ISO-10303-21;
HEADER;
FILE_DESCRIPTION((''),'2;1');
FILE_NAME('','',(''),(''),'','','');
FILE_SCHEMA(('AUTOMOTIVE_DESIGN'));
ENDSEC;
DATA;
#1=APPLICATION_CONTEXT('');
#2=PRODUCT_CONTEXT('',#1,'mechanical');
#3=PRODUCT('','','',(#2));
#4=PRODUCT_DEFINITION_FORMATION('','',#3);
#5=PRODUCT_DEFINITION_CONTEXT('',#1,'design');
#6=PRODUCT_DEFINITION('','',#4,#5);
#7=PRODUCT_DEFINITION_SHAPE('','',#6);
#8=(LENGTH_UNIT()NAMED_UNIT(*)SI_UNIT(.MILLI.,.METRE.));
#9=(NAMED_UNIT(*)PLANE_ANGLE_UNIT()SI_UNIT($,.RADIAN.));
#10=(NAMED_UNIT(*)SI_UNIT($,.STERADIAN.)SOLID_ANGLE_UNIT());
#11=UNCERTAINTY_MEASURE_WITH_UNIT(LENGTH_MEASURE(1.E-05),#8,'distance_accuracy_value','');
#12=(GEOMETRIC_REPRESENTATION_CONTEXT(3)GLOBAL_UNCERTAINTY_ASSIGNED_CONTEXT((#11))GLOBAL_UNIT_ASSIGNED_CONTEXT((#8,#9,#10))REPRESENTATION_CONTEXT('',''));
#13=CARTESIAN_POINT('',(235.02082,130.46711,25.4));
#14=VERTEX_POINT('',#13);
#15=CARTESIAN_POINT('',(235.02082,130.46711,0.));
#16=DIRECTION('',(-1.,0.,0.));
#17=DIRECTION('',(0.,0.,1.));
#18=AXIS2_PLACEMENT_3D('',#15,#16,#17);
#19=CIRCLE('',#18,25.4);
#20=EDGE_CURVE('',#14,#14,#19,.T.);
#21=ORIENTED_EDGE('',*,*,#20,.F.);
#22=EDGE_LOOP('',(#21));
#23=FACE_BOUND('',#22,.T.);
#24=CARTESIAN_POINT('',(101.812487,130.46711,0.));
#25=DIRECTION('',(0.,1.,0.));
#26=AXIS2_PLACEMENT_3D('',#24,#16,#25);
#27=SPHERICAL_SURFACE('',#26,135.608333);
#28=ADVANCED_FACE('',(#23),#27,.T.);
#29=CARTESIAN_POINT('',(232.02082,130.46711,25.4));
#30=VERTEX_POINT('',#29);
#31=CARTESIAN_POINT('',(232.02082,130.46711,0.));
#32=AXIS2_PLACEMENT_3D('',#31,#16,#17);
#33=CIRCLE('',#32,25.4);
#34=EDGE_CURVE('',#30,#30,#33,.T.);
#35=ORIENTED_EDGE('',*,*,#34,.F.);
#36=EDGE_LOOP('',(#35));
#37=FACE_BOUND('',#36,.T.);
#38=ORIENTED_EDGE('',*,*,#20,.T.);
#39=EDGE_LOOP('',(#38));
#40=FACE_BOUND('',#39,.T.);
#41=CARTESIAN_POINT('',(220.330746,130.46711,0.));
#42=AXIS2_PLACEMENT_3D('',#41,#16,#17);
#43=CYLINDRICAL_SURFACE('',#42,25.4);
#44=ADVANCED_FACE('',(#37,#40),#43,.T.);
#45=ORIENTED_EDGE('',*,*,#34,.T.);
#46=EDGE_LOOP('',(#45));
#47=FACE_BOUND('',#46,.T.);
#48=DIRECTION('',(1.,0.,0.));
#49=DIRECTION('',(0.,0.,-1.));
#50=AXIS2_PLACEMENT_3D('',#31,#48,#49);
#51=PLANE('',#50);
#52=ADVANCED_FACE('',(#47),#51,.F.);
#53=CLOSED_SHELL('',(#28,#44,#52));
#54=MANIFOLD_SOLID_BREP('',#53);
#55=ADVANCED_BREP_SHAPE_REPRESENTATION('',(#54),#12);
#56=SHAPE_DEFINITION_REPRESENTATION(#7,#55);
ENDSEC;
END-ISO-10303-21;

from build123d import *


with BuildPart() as part:
    # 草图1 → 旋转1 (revolve)
    with BuildSketch(Plane.XY):
        with BuildLine():
            Line((232.020820079, 130.467109853), (232.020820079, 155.867109853))
            Line((232.020820079, 155.867109853), (235.020820079, 155.867109853))
            ThreePointArc((235.020820079, 155.867109853), (236.819486822, 143.223676789), (237.420820079, 130.467109853))
            Line((237.420820079, 130.467109853), (232.020820079, 130.467109853))
        make_face()
    revolve(axis=Axis((220.330746457, 130.467109853, 0), (1, 0, 0)))


solid = part.part
